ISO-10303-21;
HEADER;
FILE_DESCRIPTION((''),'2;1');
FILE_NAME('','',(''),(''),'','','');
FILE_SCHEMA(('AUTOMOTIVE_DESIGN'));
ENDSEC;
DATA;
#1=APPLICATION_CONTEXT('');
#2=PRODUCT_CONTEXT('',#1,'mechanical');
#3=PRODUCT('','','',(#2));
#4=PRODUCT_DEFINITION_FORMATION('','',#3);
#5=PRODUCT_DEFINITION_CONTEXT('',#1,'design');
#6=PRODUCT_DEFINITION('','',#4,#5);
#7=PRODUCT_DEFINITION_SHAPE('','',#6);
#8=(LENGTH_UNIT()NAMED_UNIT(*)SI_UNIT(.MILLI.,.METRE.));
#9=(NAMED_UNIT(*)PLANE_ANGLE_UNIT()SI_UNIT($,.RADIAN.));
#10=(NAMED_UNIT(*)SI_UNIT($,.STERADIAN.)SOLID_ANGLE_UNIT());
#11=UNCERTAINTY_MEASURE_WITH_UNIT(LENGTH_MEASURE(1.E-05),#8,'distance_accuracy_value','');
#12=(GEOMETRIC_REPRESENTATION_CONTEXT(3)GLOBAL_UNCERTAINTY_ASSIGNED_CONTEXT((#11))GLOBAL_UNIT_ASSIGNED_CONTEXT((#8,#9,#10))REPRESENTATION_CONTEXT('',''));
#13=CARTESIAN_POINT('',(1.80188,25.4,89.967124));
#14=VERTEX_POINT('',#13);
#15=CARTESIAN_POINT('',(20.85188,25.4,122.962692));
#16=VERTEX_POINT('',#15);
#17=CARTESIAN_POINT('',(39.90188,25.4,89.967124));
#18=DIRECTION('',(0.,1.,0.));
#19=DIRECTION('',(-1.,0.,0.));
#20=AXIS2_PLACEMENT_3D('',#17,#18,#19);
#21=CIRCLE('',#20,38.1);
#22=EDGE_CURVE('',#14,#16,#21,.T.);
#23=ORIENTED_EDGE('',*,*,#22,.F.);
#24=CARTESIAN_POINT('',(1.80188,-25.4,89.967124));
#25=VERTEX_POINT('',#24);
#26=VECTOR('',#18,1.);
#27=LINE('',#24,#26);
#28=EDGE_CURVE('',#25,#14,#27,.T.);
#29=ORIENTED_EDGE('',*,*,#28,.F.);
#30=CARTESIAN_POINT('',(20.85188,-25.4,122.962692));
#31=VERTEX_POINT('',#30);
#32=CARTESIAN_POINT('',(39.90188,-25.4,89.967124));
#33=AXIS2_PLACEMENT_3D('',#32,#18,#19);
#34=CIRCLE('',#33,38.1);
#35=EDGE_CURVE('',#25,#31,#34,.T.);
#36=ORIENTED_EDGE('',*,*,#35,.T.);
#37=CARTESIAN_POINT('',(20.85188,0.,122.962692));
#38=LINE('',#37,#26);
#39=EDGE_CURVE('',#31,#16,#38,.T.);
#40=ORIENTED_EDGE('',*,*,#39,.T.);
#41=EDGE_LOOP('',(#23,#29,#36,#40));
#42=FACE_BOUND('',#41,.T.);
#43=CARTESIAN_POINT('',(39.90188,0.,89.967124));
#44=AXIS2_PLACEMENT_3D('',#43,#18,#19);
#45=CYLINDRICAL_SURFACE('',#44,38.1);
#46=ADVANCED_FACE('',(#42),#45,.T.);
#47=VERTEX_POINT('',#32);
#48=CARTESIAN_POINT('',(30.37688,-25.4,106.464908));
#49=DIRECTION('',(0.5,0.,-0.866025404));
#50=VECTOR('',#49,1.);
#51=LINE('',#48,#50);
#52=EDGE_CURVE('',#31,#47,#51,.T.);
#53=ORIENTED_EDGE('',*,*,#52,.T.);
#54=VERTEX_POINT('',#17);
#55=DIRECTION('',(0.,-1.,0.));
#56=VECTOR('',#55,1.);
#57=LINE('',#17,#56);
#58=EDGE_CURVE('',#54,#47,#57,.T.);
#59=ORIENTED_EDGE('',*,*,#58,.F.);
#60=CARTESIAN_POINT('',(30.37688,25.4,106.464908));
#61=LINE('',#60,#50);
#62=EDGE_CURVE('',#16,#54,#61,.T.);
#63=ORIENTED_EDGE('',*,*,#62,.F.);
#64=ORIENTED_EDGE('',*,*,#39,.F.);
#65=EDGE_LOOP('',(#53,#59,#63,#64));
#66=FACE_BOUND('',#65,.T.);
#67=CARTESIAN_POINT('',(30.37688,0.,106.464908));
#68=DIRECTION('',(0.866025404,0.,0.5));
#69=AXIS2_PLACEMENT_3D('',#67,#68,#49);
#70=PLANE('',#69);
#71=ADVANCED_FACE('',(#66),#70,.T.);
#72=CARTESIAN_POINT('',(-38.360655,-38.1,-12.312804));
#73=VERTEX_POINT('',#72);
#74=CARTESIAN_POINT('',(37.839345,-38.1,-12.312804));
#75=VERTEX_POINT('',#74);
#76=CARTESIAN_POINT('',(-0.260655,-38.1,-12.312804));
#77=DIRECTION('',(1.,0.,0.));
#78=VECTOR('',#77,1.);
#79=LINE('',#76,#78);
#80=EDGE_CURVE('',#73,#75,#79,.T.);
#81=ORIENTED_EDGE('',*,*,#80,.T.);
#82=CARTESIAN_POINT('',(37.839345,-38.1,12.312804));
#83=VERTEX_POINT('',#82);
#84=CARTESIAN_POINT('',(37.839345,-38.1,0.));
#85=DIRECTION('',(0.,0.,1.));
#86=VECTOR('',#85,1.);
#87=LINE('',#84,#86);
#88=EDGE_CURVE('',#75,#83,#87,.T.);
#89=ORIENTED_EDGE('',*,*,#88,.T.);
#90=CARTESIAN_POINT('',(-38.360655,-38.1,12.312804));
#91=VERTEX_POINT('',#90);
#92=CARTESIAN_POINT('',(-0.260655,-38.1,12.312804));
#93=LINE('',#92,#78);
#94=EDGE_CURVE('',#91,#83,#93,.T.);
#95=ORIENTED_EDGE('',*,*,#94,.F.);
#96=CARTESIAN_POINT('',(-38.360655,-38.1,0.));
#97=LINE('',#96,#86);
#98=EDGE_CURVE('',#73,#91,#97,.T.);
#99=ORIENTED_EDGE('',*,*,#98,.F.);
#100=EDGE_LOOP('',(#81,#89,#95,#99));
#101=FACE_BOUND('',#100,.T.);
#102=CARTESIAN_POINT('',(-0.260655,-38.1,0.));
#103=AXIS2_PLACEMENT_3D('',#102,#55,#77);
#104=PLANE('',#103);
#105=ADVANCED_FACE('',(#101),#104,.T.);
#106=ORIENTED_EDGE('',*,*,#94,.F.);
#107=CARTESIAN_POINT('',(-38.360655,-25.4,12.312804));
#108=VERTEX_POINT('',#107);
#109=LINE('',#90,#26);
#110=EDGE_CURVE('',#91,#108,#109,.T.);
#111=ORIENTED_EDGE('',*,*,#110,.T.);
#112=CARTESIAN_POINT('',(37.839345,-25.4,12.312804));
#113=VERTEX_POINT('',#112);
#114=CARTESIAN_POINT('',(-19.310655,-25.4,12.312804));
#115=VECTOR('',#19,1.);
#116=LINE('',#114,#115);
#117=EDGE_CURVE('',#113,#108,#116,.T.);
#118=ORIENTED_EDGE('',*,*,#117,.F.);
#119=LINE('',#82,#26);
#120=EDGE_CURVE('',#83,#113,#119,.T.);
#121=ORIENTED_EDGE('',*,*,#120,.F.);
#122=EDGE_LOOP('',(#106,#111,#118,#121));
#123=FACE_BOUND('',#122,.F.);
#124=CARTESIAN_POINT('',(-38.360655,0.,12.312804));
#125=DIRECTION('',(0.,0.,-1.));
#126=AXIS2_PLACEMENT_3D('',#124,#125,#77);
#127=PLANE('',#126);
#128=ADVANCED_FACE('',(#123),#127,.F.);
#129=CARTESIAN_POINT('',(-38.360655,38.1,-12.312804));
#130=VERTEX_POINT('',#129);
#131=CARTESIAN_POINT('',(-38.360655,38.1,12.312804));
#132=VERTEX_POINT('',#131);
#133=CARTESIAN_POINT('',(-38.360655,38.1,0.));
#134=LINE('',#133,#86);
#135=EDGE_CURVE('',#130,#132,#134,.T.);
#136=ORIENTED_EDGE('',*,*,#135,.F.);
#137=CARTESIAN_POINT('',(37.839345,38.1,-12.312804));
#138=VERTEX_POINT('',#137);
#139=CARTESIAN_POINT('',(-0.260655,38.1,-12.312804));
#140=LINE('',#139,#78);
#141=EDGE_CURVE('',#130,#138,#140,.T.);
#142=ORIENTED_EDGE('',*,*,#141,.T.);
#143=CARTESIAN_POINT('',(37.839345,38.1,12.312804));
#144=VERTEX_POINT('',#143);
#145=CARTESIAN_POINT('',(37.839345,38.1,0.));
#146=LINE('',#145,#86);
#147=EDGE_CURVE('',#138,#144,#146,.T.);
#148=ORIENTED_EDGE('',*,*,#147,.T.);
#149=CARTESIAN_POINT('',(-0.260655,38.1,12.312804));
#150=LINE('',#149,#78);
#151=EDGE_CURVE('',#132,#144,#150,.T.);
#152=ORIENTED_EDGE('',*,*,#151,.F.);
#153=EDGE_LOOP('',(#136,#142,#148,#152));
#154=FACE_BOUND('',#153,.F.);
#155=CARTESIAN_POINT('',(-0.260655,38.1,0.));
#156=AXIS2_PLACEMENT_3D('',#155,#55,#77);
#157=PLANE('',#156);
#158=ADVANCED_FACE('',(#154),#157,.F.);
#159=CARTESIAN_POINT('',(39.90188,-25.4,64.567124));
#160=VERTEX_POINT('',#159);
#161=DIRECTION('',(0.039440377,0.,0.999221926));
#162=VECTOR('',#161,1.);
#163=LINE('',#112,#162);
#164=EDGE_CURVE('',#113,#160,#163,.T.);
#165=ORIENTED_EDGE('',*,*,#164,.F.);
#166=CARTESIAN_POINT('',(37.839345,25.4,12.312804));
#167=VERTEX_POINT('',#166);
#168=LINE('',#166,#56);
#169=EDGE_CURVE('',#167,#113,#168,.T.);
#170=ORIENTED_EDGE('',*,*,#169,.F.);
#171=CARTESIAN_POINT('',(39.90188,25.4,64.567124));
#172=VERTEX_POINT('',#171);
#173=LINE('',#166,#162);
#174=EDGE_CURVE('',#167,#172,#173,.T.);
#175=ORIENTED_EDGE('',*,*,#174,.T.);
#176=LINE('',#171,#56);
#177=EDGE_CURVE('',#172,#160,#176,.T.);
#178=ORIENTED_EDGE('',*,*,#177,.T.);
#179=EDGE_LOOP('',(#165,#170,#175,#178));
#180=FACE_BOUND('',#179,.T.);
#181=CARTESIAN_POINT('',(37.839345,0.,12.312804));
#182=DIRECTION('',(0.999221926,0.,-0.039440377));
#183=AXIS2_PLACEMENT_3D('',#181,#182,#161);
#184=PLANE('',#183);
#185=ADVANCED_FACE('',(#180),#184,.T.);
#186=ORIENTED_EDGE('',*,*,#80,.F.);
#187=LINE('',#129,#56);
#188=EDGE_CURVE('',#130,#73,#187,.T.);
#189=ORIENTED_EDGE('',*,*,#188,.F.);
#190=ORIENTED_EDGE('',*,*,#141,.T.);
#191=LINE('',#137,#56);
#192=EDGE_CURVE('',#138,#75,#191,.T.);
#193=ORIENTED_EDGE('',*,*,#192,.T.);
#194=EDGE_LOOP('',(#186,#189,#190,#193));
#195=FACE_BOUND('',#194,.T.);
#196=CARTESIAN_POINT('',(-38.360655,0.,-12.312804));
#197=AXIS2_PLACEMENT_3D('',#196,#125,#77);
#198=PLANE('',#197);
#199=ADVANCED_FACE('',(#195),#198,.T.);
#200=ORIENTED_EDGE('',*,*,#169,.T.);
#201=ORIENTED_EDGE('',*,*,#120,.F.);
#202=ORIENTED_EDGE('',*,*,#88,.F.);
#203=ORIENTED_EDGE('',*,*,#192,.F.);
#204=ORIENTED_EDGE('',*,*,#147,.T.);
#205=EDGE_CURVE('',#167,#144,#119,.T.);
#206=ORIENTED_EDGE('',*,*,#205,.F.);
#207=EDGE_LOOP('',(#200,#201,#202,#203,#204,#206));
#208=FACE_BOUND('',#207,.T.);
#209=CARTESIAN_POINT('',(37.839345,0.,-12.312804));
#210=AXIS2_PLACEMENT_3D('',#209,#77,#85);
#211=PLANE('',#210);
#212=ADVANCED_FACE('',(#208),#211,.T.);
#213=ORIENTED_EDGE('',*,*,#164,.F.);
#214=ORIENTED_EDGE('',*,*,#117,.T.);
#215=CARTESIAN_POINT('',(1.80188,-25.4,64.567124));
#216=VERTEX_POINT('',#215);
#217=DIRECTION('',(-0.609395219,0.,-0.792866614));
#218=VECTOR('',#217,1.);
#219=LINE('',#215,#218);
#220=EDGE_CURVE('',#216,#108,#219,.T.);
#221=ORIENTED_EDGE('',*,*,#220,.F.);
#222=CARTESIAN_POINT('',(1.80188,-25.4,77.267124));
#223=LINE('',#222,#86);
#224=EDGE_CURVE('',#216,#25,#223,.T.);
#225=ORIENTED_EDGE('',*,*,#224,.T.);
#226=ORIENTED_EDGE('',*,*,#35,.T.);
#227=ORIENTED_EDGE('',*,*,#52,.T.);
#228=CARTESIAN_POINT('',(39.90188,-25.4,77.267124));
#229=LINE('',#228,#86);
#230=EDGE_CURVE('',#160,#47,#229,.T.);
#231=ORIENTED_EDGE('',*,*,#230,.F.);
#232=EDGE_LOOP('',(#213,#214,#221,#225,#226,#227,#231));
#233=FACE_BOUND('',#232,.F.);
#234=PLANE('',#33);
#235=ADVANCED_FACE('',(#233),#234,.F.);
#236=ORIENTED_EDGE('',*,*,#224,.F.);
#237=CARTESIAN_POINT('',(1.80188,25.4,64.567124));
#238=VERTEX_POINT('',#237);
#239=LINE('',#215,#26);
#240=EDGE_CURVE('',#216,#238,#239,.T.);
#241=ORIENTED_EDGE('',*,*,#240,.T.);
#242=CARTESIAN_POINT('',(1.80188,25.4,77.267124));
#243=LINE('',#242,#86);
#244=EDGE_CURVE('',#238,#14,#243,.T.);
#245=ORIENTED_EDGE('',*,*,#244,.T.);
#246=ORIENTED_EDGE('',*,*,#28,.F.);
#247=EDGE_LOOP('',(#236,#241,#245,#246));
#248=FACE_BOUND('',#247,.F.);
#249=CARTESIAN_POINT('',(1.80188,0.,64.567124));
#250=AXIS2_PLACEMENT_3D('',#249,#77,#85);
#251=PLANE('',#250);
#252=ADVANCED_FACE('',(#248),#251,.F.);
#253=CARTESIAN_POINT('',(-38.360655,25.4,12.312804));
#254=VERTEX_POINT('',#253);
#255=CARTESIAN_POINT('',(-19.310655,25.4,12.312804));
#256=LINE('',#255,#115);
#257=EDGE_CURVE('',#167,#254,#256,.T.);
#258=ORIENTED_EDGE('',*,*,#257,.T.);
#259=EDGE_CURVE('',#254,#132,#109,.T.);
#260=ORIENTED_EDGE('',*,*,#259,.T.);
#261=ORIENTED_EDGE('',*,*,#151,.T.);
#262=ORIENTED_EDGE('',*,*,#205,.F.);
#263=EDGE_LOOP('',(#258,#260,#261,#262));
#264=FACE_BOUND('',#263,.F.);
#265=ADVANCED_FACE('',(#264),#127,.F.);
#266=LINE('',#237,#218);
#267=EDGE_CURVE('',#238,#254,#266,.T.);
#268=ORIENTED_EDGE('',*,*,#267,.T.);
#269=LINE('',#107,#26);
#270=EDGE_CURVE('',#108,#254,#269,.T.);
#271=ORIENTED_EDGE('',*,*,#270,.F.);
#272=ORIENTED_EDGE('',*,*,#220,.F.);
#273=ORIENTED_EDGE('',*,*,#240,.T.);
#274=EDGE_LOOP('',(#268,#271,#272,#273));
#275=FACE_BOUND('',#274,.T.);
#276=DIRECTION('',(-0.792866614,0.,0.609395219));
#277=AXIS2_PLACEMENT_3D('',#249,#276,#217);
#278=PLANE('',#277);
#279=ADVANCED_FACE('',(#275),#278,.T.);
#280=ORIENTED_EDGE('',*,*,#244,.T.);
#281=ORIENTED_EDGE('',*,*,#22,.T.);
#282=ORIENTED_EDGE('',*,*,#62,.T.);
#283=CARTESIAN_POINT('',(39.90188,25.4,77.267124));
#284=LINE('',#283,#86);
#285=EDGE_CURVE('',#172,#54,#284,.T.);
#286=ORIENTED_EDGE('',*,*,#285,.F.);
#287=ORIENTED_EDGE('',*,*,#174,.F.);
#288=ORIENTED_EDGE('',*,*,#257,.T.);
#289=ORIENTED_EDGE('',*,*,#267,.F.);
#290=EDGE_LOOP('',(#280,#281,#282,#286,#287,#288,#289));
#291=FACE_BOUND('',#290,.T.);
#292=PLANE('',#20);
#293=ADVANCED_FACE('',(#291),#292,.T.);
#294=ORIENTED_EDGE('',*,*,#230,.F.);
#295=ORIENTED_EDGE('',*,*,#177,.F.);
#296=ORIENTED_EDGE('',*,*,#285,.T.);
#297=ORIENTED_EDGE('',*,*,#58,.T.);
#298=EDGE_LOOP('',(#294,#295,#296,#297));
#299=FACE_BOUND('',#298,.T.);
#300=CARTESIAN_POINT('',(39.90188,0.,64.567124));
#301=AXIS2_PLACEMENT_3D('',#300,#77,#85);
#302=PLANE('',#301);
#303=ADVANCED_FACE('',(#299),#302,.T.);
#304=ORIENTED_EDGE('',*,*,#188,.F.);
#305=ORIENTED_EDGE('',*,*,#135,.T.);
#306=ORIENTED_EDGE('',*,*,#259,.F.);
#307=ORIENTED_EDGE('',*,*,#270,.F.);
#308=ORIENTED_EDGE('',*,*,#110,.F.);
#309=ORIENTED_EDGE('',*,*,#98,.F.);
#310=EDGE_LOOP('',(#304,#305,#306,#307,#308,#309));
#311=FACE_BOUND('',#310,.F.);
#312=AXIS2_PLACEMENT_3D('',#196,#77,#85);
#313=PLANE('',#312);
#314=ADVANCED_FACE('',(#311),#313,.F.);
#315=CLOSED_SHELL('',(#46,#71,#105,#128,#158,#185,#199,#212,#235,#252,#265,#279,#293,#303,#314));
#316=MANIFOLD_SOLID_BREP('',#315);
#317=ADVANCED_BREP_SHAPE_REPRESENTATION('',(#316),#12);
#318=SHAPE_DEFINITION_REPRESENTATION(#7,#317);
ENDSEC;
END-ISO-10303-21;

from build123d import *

# Parameters (mm, degrees)
F0_W      = 76.2
F0_H      = 24.6256076701
F1_DEPTH  = 38.1
F0_W_2    = 38.1
F0_H_2    = 25.4
F2_DEPTH  = 25.4
F2_FACE_W = 38.1
F2_FACE_H = 50.8
F3_ANGLE  = 60


with BuildPart() as f1:
    # F0 (on Front) → F1 (new body, symmetric)
    with BuildSketch(Plane.XZ):
        with Locations((-0.260655035, 0)):
            Rectangle(F0_W, F0_H)
    extrude(amount=F1_DEPTH, both=True)

    # F0 (on Front) → F2 (join, symmetric)
    with BuildSketch(Plane.XZ):
        with Locations((-0.260655035, 0)):
            Rectangle(F0_W, F0_H)
        Polygon((-38.360655035, 12.3128038351), (37.839344965, 12.3128038351), (39.9018798504, 64.5671242428), (1.8018798504, 64.5671242428), align=None)
        with Locations((20.8518798504, 77.2671242428)):
            Rectangle(F0_W_2, F0_H_2)
    extrude(amount=F2_DEPTH, both=True)

    # F2_face (on face) → F3 (revolve)
    with BuildSketch(Plane(origin=(20.8518798504, 0, 89.9671242428), x_dir=(1, 0, 0), z_dir=(0, 0, 1))):
        Rectangle(F2_FACE_W, F2_FACE_H)
    revolve(axis=Axis((39.9018798504, 0, 89.9671242428), (0, 1, 0)), revolution_arc=F3_ANGLE)


solid = f1.part
